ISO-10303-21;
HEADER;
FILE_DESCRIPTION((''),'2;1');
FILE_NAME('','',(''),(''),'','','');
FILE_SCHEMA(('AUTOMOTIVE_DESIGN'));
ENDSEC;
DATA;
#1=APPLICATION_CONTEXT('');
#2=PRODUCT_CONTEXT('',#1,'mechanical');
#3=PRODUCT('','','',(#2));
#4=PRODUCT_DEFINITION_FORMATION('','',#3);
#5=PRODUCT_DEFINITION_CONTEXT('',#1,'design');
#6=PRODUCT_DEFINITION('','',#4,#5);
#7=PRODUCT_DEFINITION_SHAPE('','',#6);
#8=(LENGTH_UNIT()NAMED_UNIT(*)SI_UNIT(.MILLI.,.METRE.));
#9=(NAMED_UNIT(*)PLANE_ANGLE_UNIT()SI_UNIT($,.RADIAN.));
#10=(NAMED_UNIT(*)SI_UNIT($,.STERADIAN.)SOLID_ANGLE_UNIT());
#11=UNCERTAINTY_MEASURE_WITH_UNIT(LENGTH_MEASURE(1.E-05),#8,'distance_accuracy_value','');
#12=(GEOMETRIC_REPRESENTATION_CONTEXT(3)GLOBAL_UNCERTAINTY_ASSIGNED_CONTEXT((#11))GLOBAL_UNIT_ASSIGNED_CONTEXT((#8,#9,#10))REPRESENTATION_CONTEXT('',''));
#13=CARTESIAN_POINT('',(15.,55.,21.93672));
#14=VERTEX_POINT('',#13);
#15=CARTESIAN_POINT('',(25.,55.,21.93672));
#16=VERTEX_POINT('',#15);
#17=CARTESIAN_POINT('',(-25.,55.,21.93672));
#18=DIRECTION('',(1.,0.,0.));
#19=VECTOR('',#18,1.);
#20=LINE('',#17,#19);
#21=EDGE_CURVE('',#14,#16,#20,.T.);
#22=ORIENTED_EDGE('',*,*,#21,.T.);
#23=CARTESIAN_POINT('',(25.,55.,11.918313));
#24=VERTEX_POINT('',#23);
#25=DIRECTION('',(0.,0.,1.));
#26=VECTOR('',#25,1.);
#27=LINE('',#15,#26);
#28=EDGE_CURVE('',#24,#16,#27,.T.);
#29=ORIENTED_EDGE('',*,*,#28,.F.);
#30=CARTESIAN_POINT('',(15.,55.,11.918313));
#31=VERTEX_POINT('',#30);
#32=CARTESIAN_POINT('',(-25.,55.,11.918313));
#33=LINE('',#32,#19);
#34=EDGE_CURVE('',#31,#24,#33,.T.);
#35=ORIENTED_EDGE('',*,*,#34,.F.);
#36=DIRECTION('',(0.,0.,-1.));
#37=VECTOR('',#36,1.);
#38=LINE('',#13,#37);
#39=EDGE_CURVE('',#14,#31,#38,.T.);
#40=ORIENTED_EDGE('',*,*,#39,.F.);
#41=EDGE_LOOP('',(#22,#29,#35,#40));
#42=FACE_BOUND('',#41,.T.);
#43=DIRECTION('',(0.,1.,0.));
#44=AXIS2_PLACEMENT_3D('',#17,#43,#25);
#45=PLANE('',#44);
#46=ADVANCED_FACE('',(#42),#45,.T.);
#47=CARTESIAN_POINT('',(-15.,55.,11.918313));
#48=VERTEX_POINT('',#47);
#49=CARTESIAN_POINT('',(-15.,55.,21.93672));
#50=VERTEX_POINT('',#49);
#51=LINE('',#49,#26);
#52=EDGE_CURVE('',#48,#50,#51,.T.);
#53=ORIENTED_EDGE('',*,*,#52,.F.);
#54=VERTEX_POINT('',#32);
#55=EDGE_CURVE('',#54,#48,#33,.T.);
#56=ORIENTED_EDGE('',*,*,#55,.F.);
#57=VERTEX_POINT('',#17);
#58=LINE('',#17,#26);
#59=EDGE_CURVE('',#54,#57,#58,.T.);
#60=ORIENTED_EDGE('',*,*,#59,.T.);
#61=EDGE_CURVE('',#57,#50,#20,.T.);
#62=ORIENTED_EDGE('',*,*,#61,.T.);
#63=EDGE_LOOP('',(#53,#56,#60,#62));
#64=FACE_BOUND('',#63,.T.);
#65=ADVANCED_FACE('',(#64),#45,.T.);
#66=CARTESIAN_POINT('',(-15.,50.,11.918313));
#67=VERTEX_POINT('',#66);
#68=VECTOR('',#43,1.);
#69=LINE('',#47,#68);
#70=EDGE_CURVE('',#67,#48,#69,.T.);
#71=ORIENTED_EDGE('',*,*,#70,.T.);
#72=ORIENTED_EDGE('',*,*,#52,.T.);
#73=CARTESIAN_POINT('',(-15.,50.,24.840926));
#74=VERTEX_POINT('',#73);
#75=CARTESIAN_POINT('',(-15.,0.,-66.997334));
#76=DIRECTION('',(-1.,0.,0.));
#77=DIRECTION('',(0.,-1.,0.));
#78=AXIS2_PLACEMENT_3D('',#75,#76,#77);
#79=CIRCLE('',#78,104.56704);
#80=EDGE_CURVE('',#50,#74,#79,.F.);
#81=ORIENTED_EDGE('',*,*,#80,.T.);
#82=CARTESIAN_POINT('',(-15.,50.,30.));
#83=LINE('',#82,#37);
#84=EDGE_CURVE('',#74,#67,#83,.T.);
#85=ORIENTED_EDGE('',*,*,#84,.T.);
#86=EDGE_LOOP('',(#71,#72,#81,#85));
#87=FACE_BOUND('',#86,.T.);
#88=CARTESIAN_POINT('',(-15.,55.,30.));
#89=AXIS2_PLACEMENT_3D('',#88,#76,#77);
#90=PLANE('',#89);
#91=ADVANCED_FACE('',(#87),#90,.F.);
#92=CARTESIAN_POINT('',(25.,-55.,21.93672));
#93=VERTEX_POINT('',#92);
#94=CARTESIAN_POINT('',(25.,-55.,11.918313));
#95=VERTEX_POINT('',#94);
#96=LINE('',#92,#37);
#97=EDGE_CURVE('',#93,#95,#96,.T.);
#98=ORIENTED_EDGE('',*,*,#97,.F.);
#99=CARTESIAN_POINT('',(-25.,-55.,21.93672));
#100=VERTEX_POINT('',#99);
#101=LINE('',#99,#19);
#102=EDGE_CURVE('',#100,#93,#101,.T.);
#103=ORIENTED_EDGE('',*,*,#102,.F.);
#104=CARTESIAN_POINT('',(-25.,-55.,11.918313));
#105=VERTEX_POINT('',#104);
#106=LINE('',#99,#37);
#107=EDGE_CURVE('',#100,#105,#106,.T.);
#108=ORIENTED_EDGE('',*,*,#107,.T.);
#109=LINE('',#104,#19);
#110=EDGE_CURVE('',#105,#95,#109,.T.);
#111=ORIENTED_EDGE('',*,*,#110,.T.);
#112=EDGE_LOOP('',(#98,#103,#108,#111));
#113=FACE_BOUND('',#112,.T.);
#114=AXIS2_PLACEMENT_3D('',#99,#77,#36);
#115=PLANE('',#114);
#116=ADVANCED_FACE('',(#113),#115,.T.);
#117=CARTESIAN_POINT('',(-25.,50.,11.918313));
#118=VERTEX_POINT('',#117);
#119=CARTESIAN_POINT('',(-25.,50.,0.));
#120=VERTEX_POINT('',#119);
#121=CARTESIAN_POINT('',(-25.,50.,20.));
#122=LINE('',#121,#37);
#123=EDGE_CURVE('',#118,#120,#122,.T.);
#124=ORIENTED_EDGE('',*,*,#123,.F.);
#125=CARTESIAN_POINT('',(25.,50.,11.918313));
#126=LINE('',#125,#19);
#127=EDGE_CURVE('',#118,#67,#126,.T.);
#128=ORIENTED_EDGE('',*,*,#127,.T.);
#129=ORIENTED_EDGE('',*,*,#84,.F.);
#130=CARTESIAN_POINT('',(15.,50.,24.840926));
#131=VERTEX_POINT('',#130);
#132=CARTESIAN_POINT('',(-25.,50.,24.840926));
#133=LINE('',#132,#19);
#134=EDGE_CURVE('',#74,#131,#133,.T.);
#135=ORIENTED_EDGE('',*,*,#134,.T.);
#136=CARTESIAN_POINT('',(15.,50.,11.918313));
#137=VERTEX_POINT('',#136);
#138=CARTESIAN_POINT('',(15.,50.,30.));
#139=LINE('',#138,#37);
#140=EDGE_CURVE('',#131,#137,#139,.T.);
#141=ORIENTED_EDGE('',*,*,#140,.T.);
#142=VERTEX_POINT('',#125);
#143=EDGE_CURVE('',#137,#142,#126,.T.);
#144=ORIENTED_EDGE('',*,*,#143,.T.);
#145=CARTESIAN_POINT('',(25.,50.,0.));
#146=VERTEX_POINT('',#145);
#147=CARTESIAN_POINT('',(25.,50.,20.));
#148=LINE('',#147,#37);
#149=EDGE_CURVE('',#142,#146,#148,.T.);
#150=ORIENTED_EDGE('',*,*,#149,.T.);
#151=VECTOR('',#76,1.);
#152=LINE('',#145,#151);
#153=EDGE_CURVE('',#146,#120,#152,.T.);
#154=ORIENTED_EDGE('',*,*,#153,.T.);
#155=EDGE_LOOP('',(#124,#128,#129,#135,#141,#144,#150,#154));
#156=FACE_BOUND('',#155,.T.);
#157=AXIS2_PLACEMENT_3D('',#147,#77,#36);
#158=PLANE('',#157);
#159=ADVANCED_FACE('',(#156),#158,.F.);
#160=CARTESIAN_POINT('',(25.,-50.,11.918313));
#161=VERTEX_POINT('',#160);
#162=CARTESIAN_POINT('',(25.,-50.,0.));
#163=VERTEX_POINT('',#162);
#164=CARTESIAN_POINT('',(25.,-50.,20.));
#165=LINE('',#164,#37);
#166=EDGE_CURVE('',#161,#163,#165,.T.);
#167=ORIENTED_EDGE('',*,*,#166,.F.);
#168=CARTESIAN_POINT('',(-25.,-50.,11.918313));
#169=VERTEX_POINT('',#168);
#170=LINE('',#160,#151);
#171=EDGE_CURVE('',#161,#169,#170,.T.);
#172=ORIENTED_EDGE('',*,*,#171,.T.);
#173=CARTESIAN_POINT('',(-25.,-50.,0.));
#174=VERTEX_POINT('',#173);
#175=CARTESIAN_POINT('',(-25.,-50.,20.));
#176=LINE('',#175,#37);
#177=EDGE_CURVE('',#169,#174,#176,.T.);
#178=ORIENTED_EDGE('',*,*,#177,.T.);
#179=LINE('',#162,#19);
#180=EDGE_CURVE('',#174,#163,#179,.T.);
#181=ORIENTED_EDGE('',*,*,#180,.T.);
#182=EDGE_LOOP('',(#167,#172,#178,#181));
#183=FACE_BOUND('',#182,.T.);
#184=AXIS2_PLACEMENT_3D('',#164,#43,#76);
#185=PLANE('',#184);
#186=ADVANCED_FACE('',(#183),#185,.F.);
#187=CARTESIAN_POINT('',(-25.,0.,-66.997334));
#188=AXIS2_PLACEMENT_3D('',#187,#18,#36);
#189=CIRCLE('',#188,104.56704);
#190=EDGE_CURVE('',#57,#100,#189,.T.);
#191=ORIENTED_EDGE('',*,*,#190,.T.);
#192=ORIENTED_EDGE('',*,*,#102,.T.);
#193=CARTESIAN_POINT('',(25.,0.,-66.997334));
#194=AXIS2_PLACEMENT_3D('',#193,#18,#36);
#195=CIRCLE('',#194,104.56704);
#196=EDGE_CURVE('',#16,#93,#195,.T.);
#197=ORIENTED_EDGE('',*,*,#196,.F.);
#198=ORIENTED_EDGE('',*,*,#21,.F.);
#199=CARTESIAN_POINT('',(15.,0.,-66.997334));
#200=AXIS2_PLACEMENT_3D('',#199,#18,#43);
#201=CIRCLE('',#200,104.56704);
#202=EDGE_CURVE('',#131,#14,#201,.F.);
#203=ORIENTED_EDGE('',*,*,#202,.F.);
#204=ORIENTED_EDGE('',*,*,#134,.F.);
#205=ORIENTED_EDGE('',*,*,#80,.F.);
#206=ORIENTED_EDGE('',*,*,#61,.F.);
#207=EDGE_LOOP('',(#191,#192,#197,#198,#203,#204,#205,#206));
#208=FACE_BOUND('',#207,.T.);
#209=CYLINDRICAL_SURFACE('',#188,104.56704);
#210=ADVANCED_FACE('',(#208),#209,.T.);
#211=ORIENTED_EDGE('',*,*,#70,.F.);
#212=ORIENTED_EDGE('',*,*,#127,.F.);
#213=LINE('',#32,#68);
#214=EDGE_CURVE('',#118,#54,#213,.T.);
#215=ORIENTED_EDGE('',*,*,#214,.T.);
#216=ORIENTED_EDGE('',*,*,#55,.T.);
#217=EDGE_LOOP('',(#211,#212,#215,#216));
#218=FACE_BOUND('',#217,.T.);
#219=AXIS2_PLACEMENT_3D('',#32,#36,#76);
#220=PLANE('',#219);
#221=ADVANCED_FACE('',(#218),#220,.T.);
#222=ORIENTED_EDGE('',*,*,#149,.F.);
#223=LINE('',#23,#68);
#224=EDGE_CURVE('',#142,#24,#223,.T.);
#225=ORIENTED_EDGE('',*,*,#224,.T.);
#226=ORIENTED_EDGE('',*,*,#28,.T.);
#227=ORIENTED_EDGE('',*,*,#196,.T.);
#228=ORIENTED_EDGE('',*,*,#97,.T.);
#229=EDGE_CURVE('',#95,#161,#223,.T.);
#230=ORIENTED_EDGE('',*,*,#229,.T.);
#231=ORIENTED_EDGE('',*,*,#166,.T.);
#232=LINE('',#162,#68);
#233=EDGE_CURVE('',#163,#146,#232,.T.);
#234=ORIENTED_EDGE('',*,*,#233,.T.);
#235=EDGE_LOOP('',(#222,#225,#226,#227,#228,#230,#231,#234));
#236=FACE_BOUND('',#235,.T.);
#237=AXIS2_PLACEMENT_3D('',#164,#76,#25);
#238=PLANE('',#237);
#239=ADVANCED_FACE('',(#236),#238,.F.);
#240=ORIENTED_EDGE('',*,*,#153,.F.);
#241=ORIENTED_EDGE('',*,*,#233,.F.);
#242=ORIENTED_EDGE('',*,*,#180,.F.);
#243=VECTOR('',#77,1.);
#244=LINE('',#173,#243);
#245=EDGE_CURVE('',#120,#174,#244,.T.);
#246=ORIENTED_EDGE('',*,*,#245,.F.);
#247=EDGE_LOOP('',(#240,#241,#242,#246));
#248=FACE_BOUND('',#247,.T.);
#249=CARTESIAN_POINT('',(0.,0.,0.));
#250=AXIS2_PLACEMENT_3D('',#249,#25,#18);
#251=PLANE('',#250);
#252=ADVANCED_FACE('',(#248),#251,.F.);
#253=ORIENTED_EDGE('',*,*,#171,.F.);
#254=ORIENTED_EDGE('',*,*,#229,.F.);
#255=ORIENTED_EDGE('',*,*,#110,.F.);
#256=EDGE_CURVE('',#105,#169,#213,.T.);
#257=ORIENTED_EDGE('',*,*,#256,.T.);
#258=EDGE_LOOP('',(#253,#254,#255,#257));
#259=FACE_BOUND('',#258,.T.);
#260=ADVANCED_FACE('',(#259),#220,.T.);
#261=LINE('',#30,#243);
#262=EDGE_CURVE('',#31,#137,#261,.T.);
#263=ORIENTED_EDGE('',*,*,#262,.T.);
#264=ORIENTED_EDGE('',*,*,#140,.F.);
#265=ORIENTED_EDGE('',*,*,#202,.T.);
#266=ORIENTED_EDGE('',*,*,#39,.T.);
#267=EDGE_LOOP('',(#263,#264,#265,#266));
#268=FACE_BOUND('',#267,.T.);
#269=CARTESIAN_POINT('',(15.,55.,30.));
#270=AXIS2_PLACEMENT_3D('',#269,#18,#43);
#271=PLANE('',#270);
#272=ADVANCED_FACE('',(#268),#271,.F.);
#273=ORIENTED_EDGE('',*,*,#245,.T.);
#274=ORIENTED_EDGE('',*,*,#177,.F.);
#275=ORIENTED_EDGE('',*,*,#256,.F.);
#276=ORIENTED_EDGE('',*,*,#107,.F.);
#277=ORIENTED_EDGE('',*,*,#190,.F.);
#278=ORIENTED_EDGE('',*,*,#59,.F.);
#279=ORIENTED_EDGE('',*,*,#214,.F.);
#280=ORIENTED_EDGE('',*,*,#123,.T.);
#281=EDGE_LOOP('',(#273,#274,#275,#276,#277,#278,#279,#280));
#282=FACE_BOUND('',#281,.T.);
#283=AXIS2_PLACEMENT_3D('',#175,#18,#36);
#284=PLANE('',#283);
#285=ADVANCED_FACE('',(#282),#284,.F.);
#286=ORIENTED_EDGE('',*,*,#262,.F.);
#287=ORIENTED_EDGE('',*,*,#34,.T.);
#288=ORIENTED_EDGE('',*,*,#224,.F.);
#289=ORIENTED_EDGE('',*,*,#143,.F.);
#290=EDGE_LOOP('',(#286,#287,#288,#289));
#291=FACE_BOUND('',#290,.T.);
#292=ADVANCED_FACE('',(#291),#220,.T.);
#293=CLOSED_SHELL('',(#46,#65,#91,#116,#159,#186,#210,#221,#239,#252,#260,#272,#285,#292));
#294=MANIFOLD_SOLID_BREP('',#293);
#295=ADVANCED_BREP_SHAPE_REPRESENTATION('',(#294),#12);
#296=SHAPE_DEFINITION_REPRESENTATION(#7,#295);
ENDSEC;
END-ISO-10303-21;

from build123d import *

# Parameters (mm, degrees)
SKETCH1_W           = 50
SKETCH1_H           = 100
BOSS_EXTRUDE1_DEPTH = 20
BOSS_EXTRUDE2_DEPTH = 50
SKETCH3_W           = 30
SKETCH3_H           = 5
CUT_EXTRUDE1_DEPTH  = 30


with BuildPart() as part:
    # Sketch1 → Boss-Extrude1 (new body)
    with BuildSketch(Plane.XY):
        Rectangle(SKETCH1_W, SKETCH1_H)
    extrude(amount=BOSS_EXTRUDE1_DEPTH)

    # Sketch2 → Boss-Extrude2 (add, through all)
    with BuildSketch(Plane(origin=(25, 0, 0), x_dir=(0, 0, -1), z_dir=(1, 0, 0))):
        with BuildLine():
            Line((-11.918313109, 55), (-11.918313109, -55))
            Line((-11.918313109, -55), (-21.936720316, -55))
            ThreePointArc((-21.936720316, -55), (-37.569706847, 0), (-21.936720316, 55))
            Line((-21.936720316, 55), (-11.918313109, 55))
        make_face()
    extrude(amount=-BOSS_EXTRUDE2_DEPTH)

    # Sketch3 → Cut-Extrude1 (cut)
    with BuildSketch(Plane(origin=(0, 0, 0), x_dir=(-1, 0, 0), z_dir=(0, 0, -1))):
        with Locations((0, 52.5)):
            Rectangle(SKETCH3_W, SKETCH3_H)
    extrude(amount=-CUT_EXTRUDE1_DEPTH, mode=Mode.SUBTRACT)


solid = part.part
